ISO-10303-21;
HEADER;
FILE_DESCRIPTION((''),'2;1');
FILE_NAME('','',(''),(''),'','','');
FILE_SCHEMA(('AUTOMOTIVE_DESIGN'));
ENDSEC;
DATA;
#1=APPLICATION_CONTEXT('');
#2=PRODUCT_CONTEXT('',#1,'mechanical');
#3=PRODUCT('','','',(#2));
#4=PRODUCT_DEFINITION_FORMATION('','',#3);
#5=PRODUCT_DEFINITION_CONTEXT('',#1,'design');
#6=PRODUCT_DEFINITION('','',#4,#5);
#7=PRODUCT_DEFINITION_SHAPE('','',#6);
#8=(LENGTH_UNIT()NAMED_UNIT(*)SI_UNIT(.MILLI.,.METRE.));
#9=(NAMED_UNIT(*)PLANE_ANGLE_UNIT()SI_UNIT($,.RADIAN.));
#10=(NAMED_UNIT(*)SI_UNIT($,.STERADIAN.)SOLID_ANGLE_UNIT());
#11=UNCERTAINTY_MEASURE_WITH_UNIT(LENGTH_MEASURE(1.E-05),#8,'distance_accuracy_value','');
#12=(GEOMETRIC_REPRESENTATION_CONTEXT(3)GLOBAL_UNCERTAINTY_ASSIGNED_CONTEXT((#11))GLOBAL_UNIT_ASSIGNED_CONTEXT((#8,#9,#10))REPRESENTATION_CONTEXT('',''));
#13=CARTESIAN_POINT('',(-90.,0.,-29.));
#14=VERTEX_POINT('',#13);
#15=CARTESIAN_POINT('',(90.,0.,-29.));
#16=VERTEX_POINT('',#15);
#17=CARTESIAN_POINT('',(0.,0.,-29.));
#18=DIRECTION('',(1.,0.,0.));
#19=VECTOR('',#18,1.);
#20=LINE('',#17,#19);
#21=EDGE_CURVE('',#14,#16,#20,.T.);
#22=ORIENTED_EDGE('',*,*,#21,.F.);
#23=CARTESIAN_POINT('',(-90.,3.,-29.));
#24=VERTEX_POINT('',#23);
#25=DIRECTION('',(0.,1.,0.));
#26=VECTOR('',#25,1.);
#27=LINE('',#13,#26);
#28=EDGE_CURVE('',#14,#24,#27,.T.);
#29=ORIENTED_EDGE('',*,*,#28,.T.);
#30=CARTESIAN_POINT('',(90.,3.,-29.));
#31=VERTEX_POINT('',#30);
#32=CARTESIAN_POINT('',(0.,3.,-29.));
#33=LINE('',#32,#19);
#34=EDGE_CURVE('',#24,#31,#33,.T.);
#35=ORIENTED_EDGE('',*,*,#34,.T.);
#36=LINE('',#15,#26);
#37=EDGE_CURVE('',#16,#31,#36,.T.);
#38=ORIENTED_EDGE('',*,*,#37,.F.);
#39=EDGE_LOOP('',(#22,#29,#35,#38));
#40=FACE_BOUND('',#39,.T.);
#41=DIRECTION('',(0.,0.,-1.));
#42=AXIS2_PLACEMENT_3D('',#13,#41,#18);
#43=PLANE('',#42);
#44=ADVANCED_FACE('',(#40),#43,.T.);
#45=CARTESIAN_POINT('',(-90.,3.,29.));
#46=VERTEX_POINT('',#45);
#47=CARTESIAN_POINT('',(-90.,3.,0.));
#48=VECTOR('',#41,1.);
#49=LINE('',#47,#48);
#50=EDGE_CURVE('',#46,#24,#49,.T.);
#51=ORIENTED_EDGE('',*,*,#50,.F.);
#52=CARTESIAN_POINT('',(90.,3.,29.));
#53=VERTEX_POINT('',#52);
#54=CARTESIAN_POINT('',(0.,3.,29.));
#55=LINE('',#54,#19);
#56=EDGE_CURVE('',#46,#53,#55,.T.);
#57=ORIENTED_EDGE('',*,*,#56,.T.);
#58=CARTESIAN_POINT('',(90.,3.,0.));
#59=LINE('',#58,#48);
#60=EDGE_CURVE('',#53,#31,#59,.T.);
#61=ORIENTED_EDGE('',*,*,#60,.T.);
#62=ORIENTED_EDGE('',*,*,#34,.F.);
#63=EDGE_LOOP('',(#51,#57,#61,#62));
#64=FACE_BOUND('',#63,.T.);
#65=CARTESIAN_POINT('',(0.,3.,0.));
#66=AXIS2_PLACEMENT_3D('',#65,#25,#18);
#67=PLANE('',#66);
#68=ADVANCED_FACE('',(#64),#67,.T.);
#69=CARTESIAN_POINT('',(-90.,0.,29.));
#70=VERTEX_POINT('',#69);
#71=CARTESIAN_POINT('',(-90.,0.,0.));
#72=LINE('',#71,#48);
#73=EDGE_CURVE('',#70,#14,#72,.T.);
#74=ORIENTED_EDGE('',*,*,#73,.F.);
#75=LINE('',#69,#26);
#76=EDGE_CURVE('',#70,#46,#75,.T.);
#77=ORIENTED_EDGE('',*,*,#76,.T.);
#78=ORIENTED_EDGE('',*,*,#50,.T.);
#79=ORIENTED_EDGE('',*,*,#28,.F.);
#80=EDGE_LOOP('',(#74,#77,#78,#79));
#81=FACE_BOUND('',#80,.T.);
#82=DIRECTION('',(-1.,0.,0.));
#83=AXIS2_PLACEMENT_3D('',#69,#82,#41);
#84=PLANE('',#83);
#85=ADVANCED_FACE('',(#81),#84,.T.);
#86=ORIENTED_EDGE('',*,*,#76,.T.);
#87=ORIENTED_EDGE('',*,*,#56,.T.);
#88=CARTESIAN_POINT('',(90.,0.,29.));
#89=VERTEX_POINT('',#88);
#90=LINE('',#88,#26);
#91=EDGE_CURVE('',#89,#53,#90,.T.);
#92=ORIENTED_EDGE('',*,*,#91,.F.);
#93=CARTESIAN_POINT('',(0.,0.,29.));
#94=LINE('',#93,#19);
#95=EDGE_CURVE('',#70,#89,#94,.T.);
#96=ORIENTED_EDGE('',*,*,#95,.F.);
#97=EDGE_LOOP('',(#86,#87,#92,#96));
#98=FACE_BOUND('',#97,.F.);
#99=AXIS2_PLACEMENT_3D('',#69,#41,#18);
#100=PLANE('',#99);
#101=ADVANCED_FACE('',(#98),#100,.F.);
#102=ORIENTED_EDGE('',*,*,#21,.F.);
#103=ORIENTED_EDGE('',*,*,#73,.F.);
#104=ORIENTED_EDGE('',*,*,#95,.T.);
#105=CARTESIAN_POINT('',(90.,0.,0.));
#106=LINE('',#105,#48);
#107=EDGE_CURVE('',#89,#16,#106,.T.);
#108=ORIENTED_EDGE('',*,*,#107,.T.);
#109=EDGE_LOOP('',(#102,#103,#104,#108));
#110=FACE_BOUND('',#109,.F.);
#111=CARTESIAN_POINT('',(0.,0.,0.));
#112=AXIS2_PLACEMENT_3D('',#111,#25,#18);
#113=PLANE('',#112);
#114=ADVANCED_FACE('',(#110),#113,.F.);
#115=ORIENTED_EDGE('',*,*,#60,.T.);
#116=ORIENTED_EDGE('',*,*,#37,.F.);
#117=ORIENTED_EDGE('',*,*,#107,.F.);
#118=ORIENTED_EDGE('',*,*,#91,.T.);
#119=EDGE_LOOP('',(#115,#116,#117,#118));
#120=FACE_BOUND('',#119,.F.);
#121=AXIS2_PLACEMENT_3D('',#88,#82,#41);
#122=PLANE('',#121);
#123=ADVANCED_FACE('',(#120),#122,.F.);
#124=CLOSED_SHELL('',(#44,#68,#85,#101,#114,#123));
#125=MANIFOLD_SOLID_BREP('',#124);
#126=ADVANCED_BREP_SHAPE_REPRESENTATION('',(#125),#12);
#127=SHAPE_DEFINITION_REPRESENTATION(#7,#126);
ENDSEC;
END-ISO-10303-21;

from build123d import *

# Parameters (mm, degrees)
SKETCH1_W      = 180
SKETCH1_H      = 58
EXTRUDE1_DEPTH = 3


with BuildPart() as part:
    # Sketch1 → Extrude1 (new body)
    with BuildSketch(Plane(origin=(0, 0, 0), x_dir=(1, 0, 0), z_dir=(0, 1, 0))):
        Rectangle(SKETCH1_W, SKETCH1_H)
    extrude(amount=EXTRUDE1_DEPTH)


solid = part.part
